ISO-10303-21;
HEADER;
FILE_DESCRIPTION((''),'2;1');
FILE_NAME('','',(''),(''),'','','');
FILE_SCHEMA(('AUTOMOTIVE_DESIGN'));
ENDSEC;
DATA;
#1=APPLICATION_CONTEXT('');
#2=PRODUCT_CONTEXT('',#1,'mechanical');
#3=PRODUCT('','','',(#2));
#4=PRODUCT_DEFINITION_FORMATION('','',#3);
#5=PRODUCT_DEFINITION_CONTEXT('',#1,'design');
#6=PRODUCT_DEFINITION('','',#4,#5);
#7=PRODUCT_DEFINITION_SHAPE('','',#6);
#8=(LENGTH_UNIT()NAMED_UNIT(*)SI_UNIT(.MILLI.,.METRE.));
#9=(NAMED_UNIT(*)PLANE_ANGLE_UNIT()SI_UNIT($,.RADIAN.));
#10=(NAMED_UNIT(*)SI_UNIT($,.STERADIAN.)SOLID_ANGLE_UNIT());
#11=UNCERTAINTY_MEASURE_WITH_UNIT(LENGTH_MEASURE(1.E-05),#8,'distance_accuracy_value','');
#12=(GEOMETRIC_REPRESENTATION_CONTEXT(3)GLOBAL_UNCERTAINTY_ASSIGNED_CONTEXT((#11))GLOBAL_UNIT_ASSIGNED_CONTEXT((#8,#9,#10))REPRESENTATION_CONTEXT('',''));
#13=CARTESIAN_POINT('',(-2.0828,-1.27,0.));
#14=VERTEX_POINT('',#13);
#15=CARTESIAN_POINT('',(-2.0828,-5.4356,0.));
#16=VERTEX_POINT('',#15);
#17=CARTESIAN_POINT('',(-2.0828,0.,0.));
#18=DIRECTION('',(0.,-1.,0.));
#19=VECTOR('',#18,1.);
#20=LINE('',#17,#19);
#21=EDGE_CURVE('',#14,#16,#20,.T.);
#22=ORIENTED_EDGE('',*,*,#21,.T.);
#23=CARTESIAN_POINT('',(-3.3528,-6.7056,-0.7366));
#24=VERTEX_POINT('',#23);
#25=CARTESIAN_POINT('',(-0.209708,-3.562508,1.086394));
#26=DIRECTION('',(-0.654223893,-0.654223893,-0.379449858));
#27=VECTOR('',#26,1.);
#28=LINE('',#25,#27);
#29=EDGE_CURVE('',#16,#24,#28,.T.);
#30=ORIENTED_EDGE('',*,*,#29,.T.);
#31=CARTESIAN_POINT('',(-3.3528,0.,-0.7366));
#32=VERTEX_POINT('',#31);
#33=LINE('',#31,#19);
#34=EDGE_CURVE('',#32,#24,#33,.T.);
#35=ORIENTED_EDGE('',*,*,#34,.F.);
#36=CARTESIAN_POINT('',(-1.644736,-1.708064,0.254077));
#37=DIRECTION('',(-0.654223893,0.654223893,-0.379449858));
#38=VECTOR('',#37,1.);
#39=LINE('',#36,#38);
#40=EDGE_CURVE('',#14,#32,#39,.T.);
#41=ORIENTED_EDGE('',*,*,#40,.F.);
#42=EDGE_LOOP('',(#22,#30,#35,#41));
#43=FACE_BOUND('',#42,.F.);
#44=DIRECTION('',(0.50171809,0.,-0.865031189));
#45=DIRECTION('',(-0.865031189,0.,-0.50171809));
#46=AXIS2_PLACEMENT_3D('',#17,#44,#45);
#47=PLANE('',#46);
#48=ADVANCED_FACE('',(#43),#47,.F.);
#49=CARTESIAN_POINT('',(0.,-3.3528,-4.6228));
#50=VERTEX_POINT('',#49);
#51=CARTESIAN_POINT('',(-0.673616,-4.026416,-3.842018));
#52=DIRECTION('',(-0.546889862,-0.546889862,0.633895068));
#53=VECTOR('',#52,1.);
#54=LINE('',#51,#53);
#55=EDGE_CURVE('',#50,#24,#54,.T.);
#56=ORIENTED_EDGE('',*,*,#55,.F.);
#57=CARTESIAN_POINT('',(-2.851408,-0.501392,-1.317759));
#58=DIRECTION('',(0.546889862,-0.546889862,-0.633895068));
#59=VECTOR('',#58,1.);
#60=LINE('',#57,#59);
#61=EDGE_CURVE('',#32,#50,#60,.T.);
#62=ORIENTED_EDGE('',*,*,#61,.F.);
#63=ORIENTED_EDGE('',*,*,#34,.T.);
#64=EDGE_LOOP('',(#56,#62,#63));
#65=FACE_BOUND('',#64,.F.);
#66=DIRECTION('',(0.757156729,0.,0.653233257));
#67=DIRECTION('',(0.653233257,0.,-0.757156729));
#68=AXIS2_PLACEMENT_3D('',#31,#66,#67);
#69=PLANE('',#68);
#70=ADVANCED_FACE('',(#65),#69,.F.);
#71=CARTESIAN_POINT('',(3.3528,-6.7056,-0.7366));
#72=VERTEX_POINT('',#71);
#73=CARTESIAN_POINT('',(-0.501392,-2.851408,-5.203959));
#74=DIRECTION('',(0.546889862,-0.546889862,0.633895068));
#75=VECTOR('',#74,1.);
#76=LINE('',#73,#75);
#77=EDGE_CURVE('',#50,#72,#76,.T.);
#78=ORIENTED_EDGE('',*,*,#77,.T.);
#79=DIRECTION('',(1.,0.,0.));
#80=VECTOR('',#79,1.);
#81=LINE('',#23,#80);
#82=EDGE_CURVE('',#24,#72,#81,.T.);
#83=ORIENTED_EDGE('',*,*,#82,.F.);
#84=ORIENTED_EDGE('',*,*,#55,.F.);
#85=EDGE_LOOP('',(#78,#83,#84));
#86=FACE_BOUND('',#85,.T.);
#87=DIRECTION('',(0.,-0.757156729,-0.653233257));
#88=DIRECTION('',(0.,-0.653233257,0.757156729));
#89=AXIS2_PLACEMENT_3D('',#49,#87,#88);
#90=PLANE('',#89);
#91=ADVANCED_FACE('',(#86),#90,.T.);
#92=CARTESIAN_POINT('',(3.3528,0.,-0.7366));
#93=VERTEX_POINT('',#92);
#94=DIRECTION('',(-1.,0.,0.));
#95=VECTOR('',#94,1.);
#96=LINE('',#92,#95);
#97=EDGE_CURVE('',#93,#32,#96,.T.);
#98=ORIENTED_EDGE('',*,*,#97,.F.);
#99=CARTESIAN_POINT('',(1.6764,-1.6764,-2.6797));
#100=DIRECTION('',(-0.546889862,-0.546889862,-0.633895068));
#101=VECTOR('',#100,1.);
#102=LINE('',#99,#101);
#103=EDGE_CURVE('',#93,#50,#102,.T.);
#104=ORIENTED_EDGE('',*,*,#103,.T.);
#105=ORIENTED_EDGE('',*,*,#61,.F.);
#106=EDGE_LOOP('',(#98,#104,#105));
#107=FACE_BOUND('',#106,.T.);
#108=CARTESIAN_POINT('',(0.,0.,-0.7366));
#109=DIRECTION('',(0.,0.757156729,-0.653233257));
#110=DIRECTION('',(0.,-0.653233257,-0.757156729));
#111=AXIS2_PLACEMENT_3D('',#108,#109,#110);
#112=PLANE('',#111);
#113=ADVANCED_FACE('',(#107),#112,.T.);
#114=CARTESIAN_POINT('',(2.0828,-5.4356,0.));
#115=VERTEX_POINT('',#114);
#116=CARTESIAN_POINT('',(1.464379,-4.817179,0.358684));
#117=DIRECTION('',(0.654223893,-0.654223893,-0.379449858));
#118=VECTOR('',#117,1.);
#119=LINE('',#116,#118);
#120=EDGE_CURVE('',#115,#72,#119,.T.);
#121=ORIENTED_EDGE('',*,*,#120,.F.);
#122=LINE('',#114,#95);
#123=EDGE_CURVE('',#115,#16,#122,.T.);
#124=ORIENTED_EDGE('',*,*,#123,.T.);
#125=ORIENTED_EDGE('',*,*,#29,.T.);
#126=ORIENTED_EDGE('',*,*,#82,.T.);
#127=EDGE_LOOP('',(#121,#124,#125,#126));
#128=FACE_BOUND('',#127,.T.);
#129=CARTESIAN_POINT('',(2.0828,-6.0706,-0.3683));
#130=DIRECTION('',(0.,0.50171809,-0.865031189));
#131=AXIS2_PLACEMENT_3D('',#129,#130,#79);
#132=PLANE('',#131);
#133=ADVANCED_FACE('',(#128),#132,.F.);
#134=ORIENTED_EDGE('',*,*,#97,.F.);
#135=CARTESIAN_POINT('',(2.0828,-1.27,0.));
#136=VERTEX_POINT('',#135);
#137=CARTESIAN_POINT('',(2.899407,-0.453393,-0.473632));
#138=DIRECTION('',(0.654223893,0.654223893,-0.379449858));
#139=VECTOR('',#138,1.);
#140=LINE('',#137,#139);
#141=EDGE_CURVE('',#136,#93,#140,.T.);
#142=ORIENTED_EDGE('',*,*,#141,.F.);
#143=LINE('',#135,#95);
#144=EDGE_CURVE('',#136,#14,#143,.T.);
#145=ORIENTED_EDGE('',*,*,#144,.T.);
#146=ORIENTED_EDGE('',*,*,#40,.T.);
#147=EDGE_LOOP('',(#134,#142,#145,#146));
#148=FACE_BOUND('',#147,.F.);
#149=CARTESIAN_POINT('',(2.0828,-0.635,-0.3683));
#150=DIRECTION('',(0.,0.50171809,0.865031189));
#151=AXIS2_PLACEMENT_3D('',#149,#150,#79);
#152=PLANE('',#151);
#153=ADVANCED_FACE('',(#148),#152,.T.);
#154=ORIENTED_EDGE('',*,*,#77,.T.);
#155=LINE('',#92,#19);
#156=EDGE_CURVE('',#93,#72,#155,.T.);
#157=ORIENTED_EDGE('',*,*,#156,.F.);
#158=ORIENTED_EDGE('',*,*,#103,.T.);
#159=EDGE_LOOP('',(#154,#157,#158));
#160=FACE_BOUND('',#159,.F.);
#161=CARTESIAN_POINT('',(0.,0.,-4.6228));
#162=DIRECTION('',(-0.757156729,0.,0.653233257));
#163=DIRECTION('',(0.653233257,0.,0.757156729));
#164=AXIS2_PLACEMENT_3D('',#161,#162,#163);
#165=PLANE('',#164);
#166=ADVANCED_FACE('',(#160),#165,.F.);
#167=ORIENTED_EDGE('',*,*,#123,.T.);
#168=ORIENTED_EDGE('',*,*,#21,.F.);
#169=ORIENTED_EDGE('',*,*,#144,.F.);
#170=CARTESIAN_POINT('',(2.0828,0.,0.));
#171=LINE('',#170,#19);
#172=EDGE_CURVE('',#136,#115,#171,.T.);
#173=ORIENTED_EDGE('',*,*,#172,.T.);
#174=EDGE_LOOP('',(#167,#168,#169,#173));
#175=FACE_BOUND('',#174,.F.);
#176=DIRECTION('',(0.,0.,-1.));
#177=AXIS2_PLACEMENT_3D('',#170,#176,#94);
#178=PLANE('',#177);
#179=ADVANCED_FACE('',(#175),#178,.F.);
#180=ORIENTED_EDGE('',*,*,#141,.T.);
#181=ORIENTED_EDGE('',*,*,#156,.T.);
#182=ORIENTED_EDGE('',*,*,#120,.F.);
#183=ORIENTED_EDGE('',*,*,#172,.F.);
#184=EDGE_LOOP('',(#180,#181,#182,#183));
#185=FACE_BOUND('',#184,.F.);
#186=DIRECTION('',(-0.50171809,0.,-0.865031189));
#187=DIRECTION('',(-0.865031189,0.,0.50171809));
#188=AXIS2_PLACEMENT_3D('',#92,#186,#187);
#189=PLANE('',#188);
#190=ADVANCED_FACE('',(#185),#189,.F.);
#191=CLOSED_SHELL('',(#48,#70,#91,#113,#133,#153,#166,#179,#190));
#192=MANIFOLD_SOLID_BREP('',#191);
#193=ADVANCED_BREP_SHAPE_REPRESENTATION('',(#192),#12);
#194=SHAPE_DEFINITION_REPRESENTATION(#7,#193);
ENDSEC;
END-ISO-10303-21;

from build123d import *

# Parameters (mm, degrees)
F1_DEPTH      = 6.7056
F2_SIZE2      = 0.7366
F2_SIZE       = 1.27
F4_DEPTH      = 25
F4_DEPTH_BACK = 25


with BuildPart() as f1:
    # F0 (on Front) → F1 (new body)
    with BuildSketch(Plane.XZ):
        Polygon((2.0828, 0), (0, 0), (-2.0828, 0), (-3.3528, -0.7366), (0, -4.6228), (3.3528, -0.7366), align=None)
    extrude(amount=F1_DEPTH)

    # F2
    f2_edges = [f1.edges().sort_by_distance(p)[0] for p in [
        (0, -6.7056, 0),
        (0, 0, 0),
    ]]
    chamfer(f2_edges, length=F2_SIZE, length2=F2_SIZE2)

    # F3 (on Right) → F4 (cut, two sides)
    with BuildSketch(Plane.YZ) as f4_sk:
        Polygon((-3.3528, -4.6228), (-6.7056, -0.7366), (-7.370114, -5.010986), (0.519709, -5.010986), (0, -0.7366), align=None)
    extrude(amount=F4_DEPTH, mode=Mode.SUBTRACT)
    extrude(f4_sk.sketch, amount=-F4_DEPTH_BACK, mode=Mode.SUBTRACT)


solid = f1.part
